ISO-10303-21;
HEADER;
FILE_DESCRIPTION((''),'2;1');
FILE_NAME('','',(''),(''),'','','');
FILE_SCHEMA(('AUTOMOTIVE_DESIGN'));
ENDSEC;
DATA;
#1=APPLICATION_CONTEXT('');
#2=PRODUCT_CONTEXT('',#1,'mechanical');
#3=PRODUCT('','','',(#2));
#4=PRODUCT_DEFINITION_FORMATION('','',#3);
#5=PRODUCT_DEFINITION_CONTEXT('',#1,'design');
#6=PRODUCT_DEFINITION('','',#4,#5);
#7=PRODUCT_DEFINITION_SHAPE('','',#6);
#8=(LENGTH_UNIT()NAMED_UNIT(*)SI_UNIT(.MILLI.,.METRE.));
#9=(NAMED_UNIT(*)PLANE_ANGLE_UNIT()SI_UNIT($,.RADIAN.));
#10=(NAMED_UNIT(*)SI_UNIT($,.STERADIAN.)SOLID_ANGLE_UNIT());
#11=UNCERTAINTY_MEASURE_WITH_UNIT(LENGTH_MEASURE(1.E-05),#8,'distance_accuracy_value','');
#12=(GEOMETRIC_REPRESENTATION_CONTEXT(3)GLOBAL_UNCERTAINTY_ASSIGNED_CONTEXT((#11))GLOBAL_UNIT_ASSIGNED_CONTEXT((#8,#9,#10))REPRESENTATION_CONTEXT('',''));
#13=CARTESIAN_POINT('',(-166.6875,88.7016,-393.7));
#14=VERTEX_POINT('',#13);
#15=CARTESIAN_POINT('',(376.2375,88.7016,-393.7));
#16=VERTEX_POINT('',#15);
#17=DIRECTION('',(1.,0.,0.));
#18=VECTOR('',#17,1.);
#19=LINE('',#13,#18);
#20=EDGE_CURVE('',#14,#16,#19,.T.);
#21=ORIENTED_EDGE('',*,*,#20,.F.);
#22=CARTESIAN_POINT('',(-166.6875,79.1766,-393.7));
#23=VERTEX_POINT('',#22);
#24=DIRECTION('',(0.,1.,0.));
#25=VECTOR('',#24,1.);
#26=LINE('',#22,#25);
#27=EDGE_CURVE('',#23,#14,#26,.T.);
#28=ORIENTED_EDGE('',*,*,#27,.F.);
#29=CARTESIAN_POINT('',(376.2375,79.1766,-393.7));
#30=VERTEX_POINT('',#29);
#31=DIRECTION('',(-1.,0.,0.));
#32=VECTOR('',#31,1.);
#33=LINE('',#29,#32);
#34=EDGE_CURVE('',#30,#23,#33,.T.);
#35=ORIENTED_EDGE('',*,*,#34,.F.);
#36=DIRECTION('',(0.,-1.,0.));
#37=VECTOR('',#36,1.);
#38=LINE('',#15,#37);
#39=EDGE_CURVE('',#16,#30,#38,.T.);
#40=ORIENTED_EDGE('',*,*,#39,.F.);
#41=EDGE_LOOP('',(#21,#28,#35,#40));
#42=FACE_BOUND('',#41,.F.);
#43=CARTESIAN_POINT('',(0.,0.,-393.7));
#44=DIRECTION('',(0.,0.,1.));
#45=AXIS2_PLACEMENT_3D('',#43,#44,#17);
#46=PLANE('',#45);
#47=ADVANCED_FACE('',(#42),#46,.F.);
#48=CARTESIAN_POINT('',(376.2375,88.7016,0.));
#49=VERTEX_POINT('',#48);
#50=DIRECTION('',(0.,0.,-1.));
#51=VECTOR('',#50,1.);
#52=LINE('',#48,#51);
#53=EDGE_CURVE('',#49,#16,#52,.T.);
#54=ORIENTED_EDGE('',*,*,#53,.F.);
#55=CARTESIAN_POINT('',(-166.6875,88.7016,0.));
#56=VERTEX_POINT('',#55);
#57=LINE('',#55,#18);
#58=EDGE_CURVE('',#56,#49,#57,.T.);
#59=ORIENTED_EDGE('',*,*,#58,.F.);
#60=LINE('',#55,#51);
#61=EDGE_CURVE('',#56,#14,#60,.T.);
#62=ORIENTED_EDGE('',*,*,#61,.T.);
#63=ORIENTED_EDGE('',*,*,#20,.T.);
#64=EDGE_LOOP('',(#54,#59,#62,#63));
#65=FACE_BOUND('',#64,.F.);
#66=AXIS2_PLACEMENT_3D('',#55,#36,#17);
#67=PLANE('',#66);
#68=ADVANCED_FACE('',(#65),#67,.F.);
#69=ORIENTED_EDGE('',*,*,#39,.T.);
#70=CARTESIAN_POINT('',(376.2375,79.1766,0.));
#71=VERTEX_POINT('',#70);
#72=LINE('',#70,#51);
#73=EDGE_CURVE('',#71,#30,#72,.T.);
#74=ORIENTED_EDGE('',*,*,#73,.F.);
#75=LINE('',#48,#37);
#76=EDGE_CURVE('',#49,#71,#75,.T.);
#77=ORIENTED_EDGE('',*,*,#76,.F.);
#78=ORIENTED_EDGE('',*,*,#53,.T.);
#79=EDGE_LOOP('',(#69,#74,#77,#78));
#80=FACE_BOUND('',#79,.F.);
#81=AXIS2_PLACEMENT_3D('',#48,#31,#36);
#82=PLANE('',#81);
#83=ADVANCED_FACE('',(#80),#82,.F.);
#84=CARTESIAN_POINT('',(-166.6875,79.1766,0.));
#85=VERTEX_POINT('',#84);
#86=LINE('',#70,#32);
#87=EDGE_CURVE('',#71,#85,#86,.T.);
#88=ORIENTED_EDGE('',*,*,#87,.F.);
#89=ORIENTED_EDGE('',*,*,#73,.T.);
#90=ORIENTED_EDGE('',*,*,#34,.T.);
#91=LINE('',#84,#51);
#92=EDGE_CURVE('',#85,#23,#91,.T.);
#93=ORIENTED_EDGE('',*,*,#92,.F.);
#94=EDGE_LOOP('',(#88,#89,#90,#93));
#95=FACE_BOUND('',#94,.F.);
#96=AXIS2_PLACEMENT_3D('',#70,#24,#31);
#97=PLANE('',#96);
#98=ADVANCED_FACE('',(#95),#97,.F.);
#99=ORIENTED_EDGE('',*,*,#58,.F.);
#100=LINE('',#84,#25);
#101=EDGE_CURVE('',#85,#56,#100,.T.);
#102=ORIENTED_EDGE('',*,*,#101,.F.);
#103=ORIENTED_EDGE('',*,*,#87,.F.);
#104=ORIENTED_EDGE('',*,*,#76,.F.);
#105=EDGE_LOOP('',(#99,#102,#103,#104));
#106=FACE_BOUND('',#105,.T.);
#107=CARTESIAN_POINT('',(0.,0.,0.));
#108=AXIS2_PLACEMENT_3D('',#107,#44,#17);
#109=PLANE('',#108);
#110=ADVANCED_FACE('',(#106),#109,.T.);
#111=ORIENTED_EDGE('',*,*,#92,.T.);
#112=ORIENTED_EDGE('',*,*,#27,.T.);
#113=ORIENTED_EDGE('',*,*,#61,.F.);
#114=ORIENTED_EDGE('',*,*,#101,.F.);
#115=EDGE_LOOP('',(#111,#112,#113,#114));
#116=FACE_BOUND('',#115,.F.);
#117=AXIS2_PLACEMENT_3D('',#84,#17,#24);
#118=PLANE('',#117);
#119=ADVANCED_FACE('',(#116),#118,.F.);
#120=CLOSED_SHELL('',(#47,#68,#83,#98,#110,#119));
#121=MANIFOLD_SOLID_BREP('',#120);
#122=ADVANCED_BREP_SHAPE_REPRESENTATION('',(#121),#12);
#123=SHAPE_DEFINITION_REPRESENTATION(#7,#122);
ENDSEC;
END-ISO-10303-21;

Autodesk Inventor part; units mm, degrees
ref_plane "YZ Plane" through (0, 0, 0) normal (1, 0, 0) x (0, 1, 0)
ref_plane "XZ Plane" through (0, 0, 0) normal (0, 1, 0) x (-1, 0, 0)
ref_plane "XY Plane" through (0, 0, 0) normal (0, 0, 1) x (1, 0, 0)
sketch "Sketch1" plane through (0, 0, 0) normal (0, 0, 1) x (1, 0, 0)
  line L0 (-166.6875, 88.7016) -> (376.2375, 88.7016)
  line L1 (376.2375, 88.7016) -> (376.2375, 79.1766)
  line L2 (376.2375, 79.1766) -> (-166.6875, 79.1766)
  line L3 (-166.6875, 79.1766) -> (-166.6875, 88.7016)
  point P0 (0, 0)
  dimension "d0" = 542.925
  dimension "d1" = 9.525
extrude "Extrusion1" add sketch "Sketch1" against normal blind 393.7
properties part number "bottom_board" material "Wood (Birch)"
